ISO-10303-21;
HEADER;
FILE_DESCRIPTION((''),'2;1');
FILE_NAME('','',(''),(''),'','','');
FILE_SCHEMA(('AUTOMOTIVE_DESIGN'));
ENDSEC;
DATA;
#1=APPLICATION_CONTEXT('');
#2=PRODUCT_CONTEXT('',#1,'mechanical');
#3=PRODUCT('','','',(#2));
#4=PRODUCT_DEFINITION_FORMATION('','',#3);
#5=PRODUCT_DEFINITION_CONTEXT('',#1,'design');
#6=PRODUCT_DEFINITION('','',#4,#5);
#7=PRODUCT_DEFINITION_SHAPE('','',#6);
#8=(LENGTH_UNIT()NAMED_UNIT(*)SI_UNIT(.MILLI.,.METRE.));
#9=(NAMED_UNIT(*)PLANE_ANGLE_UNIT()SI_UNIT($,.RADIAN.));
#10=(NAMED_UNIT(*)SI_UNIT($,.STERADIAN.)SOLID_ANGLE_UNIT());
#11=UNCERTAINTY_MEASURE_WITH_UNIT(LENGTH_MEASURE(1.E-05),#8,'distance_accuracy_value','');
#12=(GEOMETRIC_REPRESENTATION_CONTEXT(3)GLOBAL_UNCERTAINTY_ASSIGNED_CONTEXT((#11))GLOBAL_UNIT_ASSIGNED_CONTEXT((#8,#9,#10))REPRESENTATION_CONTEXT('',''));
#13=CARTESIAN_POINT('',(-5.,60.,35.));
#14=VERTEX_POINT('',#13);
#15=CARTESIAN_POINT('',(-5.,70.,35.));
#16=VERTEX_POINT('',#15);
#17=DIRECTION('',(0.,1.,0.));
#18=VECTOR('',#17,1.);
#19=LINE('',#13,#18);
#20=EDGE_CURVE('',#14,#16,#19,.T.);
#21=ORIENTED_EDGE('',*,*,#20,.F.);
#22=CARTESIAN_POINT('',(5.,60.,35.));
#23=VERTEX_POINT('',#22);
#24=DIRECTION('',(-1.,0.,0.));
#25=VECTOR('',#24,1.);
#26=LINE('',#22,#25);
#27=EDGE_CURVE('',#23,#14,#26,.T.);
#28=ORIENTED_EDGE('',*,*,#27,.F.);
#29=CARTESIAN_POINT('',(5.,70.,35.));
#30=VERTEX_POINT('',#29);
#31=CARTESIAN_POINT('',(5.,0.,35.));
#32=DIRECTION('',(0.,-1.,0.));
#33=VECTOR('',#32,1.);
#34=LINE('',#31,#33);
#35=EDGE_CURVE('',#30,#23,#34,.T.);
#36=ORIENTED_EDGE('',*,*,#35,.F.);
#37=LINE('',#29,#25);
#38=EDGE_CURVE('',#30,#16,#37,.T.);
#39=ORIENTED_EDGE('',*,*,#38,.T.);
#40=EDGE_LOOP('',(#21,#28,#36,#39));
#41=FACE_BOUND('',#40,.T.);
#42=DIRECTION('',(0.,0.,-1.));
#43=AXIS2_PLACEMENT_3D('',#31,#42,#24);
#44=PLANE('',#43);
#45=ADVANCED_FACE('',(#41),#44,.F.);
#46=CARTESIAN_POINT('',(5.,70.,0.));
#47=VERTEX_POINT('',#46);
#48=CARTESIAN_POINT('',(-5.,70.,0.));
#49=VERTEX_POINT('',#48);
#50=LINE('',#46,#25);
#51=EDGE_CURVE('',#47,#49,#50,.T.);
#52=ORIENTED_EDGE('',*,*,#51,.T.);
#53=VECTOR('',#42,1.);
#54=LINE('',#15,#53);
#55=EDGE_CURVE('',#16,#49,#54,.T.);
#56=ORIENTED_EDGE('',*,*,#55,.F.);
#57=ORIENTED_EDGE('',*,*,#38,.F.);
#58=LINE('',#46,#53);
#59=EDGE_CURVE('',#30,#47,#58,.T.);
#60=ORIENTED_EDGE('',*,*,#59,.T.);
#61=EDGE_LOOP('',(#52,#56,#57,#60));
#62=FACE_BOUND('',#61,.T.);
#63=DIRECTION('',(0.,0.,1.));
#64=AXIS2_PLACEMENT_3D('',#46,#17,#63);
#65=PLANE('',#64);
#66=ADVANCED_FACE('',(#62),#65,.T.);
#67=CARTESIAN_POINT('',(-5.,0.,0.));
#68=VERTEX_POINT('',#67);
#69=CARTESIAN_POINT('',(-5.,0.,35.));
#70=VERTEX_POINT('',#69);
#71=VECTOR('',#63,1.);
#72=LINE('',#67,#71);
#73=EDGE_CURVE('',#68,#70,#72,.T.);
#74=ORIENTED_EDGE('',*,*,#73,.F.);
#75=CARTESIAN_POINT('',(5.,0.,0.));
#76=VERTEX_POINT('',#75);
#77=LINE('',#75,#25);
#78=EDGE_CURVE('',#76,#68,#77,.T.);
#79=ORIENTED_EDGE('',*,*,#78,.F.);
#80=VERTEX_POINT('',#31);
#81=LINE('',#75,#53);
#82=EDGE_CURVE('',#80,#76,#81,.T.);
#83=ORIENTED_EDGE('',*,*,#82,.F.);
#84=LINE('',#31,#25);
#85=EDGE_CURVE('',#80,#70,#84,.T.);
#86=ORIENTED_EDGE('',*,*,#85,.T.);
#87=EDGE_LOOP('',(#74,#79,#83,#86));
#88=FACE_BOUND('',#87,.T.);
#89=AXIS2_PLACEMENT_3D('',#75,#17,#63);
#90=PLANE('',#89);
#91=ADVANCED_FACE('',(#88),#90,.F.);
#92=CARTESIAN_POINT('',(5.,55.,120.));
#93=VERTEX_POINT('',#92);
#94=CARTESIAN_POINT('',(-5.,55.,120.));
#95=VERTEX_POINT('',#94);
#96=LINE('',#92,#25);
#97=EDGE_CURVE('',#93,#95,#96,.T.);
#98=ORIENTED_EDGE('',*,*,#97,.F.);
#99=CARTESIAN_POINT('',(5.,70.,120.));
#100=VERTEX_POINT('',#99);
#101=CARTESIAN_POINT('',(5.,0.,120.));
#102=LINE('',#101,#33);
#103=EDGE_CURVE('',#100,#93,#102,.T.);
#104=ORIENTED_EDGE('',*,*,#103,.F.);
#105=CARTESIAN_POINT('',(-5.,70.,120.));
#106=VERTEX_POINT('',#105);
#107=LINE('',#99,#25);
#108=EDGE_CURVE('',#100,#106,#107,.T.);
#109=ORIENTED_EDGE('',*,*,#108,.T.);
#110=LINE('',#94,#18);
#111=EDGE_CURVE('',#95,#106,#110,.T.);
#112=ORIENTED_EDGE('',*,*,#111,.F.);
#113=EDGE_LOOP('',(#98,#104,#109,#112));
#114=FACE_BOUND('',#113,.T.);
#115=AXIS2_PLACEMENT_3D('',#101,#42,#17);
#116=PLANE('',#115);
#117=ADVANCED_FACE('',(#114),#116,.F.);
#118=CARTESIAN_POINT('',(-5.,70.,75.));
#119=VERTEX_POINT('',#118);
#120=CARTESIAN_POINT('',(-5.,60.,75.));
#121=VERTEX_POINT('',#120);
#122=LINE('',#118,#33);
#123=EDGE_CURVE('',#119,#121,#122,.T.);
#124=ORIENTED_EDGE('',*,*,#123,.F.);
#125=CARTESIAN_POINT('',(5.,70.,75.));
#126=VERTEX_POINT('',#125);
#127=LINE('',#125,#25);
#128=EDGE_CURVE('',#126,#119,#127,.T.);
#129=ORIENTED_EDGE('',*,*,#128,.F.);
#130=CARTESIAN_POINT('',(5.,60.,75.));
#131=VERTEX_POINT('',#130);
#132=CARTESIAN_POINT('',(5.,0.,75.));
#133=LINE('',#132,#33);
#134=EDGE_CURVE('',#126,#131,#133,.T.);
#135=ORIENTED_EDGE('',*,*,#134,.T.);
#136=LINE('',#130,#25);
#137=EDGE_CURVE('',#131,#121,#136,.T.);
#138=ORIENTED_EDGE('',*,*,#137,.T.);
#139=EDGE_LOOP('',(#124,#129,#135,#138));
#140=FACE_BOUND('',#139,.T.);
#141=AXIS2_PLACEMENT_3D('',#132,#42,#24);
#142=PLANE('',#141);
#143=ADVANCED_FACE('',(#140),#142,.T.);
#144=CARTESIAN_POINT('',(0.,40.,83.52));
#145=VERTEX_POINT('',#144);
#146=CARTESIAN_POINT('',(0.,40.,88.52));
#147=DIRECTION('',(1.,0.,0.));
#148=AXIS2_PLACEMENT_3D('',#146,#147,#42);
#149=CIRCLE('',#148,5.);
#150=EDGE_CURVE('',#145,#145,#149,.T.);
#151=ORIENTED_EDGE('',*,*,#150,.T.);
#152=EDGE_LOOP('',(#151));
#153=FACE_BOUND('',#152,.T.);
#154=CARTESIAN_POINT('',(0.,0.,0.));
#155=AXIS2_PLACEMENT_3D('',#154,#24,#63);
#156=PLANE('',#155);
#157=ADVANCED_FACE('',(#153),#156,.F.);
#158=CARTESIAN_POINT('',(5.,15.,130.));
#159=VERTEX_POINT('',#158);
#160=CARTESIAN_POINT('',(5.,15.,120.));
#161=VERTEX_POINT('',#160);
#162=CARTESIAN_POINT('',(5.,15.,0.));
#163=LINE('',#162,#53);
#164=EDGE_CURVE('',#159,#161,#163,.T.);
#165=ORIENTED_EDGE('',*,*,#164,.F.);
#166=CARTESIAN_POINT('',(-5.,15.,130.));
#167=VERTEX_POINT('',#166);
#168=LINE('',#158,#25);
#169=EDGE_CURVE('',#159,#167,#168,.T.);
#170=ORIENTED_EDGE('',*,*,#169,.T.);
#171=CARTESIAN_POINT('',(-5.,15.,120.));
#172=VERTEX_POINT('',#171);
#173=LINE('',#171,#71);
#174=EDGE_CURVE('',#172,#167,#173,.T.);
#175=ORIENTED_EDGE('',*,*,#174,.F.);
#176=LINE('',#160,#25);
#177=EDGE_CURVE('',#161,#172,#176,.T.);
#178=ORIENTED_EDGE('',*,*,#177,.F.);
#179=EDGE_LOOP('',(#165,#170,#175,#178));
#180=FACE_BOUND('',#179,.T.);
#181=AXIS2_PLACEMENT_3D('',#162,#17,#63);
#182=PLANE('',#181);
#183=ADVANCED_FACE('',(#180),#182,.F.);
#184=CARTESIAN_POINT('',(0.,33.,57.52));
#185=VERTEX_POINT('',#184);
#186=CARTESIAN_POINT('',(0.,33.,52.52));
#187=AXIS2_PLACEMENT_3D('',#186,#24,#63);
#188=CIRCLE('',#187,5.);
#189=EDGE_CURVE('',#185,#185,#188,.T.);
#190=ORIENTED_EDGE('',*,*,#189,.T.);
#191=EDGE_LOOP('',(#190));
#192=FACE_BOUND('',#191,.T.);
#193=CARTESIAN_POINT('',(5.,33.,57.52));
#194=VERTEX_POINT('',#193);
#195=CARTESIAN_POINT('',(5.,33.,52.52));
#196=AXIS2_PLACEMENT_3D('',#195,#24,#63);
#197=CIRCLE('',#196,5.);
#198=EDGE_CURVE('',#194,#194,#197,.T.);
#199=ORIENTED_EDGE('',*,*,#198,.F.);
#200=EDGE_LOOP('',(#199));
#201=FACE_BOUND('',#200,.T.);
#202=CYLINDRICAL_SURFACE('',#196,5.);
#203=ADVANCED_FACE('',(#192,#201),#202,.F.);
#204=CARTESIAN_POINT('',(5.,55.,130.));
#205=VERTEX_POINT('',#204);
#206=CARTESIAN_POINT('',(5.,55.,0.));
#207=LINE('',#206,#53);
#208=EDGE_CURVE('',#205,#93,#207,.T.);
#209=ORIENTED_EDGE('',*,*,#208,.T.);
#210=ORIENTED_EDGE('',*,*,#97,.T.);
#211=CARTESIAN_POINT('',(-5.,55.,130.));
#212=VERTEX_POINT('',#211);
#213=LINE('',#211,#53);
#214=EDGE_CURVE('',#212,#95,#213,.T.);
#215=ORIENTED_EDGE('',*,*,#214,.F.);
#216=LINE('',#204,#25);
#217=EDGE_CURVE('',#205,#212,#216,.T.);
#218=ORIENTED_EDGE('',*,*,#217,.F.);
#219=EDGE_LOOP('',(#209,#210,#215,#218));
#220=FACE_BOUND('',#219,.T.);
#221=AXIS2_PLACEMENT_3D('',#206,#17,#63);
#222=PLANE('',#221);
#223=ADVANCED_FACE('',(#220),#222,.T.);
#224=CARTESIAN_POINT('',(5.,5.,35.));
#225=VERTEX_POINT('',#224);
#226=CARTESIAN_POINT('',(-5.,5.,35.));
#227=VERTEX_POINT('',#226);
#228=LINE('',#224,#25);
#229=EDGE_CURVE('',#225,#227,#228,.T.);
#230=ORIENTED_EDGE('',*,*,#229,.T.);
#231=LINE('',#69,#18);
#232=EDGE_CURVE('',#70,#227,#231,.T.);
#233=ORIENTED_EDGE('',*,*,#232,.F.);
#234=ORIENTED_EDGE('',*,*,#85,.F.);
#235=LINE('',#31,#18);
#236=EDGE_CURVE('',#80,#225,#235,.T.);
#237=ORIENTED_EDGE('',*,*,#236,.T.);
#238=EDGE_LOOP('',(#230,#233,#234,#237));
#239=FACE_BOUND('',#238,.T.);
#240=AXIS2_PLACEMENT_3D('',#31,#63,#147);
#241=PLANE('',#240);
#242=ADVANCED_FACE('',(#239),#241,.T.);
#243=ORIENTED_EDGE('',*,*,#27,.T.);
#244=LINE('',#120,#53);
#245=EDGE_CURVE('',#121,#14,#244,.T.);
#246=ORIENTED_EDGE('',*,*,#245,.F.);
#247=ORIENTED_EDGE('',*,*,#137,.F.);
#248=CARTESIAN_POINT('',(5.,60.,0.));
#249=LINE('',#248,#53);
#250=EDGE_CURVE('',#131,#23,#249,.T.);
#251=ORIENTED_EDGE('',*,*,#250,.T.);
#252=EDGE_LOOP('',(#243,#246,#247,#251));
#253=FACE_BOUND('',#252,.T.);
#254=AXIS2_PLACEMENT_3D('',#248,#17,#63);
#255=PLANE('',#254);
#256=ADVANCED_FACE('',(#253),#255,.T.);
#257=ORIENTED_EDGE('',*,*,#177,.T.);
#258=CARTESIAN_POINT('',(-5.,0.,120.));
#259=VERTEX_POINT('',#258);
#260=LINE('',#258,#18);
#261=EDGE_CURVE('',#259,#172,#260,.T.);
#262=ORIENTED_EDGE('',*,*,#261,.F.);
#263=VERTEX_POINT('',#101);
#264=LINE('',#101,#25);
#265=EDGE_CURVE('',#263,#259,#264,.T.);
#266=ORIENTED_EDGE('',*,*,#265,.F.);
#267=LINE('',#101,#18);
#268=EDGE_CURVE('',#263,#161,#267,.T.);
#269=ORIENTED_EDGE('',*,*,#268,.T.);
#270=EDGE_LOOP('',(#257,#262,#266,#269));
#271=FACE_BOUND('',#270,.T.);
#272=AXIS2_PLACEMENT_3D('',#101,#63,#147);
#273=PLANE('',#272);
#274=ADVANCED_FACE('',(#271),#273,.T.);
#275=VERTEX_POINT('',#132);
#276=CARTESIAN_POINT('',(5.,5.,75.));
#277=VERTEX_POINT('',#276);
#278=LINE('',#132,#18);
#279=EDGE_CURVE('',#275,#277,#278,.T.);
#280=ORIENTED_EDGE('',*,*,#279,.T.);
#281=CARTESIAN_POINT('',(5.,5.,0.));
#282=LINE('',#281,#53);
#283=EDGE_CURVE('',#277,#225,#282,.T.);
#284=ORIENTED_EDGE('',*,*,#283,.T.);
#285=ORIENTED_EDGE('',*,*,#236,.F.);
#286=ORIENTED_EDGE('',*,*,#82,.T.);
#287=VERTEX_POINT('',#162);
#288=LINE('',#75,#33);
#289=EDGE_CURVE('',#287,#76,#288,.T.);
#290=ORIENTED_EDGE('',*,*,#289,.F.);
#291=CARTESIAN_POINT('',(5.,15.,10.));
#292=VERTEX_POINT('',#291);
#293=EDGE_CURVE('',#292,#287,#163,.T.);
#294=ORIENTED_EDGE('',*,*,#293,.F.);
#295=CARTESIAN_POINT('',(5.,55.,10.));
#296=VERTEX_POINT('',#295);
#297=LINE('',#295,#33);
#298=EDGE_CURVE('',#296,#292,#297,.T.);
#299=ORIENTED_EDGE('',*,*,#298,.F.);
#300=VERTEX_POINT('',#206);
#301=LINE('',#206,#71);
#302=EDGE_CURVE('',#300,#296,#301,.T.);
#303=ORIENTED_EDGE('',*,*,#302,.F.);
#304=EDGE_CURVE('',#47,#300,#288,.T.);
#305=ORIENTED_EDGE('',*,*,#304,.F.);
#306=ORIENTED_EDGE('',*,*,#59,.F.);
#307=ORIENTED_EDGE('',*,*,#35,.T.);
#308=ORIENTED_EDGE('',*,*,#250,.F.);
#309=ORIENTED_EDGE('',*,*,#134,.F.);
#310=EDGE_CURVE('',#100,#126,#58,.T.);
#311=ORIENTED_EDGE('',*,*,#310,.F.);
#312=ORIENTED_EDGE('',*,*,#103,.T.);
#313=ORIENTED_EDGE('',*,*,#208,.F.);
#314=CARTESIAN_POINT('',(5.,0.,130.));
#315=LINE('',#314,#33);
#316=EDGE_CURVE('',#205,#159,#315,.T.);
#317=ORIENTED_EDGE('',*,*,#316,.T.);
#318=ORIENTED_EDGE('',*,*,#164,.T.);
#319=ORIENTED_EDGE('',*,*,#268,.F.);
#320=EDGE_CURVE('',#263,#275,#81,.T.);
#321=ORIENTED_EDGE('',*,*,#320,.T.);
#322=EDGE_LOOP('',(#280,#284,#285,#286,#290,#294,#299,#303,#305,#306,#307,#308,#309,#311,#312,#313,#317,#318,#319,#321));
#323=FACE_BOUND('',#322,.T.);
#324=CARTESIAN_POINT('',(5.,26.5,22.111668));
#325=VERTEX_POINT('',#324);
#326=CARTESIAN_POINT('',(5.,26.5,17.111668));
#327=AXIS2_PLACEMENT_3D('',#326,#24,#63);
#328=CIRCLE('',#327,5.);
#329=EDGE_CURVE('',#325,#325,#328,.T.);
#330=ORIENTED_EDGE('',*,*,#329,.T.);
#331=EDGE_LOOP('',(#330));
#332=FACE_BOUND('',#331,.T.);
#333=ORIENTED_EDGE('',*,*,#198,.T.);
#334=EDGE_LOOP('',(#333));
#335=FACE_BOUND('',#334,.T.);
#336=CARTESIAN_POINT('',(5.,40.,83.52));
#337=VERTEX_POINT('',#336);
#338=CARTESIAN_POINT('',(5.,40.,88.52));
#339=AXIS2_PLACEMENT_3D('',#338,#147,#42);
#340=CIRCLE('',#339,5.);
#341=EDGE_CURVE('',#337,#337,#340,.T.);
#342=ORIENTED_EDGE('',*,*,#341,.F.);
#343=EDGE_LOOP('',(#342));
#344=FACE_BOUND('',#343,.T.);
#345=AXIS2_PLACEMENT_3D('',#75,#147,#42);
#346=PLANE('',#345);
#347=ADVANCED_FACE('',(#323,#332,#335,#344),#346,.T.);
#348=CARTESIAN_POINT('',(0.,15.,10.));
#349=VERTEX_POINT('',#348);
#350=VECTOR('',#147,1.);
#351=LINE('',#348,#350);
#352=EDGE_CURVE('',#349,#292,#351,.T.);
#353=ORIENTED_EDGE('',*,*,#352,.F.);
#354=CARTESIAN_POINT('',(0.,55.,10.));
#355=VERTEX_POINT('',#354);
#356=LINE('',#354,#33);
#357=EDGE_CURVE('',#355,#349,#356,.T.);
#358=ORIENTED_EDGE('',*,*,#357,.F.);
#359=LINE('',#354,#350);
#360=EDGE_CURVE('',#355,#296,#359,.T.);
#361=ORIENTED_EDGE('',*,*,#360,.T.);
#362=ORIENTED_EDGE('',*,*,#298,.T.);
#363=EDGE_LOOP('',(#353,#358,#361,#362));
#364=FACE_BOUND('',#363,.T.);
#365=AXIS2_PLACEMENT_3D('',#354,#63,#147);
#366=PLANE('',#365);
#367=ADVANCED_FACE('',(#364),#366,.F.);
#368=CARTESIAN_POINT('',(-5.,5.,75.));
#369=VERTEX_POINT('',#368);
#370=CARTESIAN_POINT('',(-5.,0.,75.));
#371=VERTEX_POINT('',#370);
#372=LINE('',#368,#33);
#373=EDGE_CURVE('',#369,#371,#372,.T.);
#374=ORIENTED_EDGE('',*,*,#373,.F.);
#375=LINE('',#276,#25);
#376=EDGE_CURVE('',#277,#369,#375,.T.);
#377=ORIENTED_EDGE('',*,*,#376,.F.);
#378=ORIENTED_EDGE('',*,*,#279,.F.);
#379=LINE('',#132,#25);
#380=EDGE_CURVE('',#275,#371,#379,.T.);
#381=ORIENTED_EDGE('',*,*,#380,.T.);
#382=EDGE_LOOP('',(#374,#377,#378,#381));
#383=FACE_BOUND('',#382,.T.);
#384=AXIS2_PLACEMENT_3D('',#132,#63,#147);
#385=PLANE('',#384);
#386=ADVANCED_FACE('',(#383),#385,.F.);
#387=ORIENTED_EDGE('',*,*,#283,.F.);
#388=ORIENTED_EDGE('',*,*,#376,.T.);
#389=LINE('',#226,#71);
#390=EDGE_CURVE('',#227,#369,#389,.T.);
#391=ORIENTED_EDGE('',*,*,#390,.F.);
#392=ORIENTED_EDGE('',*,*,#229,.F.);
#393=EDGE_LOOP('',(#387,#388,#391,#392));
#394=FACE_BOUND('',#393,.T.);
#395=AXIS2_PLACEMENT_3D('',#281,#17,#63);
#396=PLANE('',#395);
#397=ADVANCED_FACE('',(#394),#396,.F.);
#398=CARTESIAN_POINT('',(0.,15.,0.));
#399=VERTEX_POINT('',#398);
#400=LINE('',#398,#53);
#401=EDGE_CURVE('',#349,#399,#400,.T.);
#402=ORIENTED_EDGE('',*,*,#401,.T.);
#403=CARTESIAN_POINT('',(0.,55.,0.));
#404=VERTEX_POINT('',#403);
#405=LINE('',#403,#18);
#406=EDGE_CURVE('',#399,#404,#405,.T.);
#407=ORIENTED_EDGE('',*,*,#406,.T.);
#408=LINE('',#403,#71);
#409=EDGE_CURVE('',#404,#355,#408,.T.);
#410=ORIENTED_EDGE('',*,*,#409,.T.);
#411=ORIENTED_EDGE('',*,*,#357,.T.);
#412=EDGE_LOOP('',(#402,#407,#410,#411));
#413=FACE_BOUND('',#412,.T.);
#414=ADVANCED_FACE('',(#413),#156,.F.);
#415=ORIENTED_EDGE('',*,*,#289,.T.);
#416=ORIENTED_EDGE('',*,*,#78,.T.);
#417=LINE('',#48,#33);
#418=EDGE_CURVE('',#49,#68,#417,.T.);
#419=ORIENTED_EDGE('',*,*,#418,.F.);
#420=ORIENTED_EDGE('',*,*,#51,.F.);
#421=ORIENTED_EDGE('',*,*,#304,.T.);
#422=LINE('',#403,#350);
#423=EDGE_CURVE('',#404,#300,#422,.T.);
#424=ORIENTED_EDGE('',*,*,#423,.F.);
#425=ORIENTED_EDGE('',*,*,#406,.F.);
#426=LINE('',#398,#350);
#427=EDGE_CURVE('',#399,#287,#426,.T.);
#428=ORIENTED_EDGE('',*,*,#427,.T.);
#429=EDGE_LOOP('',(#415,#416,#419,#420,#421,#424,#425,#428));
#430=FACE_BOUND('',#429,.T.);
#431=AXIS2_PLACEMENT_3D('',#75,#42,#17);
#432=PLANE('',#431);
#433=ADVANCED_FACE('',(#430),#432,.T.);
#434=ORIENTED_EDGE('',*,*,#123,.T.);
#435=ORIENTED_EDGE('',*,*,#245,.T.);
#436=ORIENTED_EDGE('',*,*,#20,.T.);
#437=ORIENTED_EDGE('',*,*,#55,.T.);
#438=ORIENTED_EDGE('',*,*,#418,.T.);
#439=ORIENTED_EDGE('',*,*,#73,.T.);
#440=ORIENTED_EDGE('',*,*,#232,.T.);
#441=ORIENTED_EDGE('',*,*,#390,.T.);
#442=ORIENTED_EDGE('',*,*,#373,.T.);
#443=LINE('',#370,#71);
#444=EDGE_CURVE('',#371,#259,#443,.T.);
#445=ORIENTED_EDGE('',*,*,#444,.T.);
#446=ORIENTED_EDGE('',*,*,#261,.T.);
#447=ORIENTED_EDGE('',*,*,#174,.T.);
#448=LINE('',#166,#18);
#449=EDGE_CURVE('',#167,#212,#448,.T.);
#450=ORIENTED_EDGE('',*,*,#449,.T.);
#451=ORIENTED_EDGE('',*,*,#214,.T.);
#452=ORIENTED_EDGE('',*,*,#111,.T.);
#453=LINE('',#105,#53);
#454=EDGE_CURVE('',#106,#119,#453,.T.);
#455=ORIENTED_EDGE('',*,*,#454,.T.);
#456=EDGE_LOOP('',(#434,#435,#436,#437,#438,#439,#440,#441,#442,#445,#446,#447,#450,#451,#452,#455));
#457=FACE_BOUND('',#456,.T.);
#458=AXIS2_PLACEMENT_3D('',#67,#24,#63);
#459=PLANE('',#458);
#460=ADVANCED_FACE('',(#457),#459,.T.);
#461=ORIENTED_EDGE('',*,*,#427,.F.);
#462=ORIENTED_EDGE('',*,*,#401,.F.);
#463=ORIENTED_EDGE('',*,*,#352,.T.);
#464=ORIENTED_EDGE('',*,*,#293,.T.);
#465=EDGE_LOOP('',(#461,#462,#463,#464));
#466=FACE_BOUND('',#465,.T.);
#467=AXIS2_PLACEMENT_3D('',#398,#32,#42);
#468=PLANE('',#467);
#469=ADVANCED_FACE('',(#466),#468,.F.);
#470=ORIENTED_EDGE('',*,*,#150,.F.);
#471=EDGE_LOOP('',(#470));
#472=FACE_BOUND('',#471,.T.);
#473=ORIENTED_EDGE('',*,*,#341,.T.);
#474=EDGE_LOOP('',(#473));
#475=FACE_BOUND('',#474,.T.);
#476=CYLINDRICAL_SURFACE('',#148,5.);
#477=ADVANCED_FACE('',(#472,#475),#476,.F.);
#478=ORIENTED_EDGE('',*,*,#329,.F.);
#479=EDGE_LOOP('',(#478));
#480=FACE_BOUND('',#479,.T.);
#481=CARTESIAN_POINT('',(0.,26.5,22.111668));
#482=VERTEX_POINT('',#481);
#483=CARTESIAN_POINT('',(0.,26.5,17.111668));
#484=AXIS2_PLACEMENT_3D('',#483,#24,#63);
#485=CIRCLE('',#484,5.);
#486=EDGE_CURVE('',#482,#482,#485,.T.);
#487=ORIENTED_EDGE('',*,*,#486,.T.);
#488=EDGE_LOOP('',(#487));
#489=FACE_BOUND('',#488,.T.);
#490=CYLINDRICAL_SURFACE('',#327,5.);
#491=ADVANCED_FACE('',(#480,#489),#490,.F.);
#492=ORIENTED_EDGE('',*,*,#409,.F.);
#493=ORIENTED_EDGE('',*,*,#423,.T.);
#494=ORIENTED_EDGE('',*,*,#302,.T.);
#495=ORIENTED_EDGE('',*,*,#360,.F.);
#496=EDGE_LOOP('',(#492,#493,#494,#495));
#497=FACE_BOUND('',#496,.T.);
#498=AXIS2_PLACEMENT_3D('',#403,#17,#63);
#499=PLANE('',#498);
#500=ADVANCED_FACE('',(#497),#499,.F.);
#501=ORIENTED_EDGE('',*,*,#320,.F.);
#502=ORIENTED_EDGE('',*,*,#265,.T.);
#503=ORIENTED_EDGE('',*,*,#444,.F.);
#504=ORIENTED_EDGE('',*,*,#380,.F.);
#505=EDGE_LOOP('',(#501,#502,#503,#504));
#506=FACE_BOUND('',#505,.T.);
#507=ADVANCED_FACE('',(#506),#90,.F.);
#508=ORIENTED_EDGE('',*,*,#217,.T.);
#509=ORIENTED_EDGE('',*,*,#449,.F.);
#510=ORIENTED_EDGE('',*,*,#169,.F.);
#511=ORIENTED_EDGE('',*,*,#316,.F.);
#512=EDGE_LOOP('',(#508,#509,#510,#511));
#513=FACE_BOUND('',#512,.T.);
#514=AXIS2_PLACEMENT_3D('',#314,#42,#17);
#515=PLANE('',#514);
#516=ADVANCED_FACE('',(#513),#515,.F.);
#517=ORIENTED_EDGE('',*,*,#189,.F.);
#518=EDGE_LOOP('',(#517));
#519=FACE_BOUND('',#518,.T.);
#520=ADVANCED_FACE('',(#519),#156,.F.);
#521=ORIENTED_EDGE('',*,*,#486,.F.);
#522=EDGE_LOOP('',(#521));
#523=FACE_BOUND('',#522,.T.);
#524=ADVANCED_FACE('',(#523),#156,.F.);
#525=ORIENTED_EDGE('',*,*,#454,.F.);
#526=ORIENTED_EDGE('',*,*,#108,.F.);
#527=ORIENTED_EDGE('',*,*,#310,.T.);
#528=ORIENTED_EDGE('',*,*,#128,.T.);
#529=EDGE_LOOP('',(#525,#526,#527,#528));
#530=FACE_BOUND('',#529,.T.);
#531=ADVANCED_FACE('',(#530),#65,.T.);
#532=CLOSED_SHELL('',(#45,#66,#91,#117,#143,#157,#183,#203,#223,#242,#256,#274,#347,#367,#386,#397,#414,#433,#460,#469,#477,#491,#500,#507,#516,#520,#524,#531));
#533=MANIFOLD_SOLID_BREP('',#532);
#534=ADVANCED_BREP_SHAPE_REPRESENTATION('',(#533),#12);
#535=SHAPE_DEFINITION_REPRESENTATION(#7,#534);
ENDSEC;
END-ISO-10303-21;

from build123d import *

# Parameters (mm, degrees)
BOSS_EXTRUDE1_DEPTH = 5
SKETCH5_R           = 5
CUT_EXTRUDE4_DEPTH  = 5
SKETCH2_R           = 5
CUT_EXTRUDE5_DEPTH  = 5
BOSS_EXTRUDE2_DEPTH = 5
SKETCH7_W           = 10
SKETCH7_H           = 40
CUT_EXTRUDE6_DEPTH  = 5


with BuildPart() as part:
    # Sketch1 → Boss-Extrude1 (new body)
    with BuildSketch(Plane(origin=(0, 0, 0), x_dir=(0, 0, -1), z_dir=(1, 0, 0))):
        Polygon((-75, 70), (-120, 70), (-120, 55), (-130, 55), (-130, 15), (-120, 15), (-120, 0), (-75, 0), (-75, 5), (-35, 5), (-35, 0), (-10, 0), (0, 0), (0, 15), (0, 55), (0, 70), (-10, 70), (-35, 70), (-35, 60), (-75, 60), align=None)
    extrude(amount=BOSS_EXTRUDE1_DEPTH)

    # Sketch5 → Cut-Extrude4 (cut)
    with BuildSketch(Plane.ZY):
        with Locations((17.111667647, 26.5)):
            Circle(SKETCH5_R)
        with Locations((52.52, 33)):
            Circle(SKETCH5_R)
    extrude(amount=-CUT_EXTRUDE4_DEPTH, mode=Mode.SUBTRACT)

    # Sketch2 → Cut-Extrude5 (cut)
    with BuildSketch(Plane(origin=(5, 0, 0), x_dir=(0, 0, -1), z_dir=(1, 0, 0))):
        with Locations((-88.52, 40)):
            Circle(SKETCH2_R)
    extrude(amount=-CUT_EXTRUDE5_DEPTH, mode=Mode.SUBTRACT)

    # Sketch6 → Boss-Extrude2 (add)
    with BuildSketch(Plane.ZY):
        Polygon((35, 0), (35, 5), (75, 5), (75, 0), (120, 0), (120, 15), (130, 15), (130, 55), (120, 55), (120, 70), (75, 70), (75, 60), (35, 60), (35, 70), (0, 70), (0, 0), align=None)
    extrude(amount=BOSS_EXTRUDE2_DEPTH)

    # Sketch7 → Cut-Extrude6 (cut)
    with BuildSketch(Plane(origin=(5, 0, 0), x_dir=(0, 0, -1), z_dir=(1, 0, 0))):
        with Locations((-5, 35)):
            Rectangle(SKETCH7_W, SKETCH7_H)
    extrude(amount=-CUT_EXTRUDE6_DEPTH, mode=Mode.SUBTRACT)


solid = part.part
